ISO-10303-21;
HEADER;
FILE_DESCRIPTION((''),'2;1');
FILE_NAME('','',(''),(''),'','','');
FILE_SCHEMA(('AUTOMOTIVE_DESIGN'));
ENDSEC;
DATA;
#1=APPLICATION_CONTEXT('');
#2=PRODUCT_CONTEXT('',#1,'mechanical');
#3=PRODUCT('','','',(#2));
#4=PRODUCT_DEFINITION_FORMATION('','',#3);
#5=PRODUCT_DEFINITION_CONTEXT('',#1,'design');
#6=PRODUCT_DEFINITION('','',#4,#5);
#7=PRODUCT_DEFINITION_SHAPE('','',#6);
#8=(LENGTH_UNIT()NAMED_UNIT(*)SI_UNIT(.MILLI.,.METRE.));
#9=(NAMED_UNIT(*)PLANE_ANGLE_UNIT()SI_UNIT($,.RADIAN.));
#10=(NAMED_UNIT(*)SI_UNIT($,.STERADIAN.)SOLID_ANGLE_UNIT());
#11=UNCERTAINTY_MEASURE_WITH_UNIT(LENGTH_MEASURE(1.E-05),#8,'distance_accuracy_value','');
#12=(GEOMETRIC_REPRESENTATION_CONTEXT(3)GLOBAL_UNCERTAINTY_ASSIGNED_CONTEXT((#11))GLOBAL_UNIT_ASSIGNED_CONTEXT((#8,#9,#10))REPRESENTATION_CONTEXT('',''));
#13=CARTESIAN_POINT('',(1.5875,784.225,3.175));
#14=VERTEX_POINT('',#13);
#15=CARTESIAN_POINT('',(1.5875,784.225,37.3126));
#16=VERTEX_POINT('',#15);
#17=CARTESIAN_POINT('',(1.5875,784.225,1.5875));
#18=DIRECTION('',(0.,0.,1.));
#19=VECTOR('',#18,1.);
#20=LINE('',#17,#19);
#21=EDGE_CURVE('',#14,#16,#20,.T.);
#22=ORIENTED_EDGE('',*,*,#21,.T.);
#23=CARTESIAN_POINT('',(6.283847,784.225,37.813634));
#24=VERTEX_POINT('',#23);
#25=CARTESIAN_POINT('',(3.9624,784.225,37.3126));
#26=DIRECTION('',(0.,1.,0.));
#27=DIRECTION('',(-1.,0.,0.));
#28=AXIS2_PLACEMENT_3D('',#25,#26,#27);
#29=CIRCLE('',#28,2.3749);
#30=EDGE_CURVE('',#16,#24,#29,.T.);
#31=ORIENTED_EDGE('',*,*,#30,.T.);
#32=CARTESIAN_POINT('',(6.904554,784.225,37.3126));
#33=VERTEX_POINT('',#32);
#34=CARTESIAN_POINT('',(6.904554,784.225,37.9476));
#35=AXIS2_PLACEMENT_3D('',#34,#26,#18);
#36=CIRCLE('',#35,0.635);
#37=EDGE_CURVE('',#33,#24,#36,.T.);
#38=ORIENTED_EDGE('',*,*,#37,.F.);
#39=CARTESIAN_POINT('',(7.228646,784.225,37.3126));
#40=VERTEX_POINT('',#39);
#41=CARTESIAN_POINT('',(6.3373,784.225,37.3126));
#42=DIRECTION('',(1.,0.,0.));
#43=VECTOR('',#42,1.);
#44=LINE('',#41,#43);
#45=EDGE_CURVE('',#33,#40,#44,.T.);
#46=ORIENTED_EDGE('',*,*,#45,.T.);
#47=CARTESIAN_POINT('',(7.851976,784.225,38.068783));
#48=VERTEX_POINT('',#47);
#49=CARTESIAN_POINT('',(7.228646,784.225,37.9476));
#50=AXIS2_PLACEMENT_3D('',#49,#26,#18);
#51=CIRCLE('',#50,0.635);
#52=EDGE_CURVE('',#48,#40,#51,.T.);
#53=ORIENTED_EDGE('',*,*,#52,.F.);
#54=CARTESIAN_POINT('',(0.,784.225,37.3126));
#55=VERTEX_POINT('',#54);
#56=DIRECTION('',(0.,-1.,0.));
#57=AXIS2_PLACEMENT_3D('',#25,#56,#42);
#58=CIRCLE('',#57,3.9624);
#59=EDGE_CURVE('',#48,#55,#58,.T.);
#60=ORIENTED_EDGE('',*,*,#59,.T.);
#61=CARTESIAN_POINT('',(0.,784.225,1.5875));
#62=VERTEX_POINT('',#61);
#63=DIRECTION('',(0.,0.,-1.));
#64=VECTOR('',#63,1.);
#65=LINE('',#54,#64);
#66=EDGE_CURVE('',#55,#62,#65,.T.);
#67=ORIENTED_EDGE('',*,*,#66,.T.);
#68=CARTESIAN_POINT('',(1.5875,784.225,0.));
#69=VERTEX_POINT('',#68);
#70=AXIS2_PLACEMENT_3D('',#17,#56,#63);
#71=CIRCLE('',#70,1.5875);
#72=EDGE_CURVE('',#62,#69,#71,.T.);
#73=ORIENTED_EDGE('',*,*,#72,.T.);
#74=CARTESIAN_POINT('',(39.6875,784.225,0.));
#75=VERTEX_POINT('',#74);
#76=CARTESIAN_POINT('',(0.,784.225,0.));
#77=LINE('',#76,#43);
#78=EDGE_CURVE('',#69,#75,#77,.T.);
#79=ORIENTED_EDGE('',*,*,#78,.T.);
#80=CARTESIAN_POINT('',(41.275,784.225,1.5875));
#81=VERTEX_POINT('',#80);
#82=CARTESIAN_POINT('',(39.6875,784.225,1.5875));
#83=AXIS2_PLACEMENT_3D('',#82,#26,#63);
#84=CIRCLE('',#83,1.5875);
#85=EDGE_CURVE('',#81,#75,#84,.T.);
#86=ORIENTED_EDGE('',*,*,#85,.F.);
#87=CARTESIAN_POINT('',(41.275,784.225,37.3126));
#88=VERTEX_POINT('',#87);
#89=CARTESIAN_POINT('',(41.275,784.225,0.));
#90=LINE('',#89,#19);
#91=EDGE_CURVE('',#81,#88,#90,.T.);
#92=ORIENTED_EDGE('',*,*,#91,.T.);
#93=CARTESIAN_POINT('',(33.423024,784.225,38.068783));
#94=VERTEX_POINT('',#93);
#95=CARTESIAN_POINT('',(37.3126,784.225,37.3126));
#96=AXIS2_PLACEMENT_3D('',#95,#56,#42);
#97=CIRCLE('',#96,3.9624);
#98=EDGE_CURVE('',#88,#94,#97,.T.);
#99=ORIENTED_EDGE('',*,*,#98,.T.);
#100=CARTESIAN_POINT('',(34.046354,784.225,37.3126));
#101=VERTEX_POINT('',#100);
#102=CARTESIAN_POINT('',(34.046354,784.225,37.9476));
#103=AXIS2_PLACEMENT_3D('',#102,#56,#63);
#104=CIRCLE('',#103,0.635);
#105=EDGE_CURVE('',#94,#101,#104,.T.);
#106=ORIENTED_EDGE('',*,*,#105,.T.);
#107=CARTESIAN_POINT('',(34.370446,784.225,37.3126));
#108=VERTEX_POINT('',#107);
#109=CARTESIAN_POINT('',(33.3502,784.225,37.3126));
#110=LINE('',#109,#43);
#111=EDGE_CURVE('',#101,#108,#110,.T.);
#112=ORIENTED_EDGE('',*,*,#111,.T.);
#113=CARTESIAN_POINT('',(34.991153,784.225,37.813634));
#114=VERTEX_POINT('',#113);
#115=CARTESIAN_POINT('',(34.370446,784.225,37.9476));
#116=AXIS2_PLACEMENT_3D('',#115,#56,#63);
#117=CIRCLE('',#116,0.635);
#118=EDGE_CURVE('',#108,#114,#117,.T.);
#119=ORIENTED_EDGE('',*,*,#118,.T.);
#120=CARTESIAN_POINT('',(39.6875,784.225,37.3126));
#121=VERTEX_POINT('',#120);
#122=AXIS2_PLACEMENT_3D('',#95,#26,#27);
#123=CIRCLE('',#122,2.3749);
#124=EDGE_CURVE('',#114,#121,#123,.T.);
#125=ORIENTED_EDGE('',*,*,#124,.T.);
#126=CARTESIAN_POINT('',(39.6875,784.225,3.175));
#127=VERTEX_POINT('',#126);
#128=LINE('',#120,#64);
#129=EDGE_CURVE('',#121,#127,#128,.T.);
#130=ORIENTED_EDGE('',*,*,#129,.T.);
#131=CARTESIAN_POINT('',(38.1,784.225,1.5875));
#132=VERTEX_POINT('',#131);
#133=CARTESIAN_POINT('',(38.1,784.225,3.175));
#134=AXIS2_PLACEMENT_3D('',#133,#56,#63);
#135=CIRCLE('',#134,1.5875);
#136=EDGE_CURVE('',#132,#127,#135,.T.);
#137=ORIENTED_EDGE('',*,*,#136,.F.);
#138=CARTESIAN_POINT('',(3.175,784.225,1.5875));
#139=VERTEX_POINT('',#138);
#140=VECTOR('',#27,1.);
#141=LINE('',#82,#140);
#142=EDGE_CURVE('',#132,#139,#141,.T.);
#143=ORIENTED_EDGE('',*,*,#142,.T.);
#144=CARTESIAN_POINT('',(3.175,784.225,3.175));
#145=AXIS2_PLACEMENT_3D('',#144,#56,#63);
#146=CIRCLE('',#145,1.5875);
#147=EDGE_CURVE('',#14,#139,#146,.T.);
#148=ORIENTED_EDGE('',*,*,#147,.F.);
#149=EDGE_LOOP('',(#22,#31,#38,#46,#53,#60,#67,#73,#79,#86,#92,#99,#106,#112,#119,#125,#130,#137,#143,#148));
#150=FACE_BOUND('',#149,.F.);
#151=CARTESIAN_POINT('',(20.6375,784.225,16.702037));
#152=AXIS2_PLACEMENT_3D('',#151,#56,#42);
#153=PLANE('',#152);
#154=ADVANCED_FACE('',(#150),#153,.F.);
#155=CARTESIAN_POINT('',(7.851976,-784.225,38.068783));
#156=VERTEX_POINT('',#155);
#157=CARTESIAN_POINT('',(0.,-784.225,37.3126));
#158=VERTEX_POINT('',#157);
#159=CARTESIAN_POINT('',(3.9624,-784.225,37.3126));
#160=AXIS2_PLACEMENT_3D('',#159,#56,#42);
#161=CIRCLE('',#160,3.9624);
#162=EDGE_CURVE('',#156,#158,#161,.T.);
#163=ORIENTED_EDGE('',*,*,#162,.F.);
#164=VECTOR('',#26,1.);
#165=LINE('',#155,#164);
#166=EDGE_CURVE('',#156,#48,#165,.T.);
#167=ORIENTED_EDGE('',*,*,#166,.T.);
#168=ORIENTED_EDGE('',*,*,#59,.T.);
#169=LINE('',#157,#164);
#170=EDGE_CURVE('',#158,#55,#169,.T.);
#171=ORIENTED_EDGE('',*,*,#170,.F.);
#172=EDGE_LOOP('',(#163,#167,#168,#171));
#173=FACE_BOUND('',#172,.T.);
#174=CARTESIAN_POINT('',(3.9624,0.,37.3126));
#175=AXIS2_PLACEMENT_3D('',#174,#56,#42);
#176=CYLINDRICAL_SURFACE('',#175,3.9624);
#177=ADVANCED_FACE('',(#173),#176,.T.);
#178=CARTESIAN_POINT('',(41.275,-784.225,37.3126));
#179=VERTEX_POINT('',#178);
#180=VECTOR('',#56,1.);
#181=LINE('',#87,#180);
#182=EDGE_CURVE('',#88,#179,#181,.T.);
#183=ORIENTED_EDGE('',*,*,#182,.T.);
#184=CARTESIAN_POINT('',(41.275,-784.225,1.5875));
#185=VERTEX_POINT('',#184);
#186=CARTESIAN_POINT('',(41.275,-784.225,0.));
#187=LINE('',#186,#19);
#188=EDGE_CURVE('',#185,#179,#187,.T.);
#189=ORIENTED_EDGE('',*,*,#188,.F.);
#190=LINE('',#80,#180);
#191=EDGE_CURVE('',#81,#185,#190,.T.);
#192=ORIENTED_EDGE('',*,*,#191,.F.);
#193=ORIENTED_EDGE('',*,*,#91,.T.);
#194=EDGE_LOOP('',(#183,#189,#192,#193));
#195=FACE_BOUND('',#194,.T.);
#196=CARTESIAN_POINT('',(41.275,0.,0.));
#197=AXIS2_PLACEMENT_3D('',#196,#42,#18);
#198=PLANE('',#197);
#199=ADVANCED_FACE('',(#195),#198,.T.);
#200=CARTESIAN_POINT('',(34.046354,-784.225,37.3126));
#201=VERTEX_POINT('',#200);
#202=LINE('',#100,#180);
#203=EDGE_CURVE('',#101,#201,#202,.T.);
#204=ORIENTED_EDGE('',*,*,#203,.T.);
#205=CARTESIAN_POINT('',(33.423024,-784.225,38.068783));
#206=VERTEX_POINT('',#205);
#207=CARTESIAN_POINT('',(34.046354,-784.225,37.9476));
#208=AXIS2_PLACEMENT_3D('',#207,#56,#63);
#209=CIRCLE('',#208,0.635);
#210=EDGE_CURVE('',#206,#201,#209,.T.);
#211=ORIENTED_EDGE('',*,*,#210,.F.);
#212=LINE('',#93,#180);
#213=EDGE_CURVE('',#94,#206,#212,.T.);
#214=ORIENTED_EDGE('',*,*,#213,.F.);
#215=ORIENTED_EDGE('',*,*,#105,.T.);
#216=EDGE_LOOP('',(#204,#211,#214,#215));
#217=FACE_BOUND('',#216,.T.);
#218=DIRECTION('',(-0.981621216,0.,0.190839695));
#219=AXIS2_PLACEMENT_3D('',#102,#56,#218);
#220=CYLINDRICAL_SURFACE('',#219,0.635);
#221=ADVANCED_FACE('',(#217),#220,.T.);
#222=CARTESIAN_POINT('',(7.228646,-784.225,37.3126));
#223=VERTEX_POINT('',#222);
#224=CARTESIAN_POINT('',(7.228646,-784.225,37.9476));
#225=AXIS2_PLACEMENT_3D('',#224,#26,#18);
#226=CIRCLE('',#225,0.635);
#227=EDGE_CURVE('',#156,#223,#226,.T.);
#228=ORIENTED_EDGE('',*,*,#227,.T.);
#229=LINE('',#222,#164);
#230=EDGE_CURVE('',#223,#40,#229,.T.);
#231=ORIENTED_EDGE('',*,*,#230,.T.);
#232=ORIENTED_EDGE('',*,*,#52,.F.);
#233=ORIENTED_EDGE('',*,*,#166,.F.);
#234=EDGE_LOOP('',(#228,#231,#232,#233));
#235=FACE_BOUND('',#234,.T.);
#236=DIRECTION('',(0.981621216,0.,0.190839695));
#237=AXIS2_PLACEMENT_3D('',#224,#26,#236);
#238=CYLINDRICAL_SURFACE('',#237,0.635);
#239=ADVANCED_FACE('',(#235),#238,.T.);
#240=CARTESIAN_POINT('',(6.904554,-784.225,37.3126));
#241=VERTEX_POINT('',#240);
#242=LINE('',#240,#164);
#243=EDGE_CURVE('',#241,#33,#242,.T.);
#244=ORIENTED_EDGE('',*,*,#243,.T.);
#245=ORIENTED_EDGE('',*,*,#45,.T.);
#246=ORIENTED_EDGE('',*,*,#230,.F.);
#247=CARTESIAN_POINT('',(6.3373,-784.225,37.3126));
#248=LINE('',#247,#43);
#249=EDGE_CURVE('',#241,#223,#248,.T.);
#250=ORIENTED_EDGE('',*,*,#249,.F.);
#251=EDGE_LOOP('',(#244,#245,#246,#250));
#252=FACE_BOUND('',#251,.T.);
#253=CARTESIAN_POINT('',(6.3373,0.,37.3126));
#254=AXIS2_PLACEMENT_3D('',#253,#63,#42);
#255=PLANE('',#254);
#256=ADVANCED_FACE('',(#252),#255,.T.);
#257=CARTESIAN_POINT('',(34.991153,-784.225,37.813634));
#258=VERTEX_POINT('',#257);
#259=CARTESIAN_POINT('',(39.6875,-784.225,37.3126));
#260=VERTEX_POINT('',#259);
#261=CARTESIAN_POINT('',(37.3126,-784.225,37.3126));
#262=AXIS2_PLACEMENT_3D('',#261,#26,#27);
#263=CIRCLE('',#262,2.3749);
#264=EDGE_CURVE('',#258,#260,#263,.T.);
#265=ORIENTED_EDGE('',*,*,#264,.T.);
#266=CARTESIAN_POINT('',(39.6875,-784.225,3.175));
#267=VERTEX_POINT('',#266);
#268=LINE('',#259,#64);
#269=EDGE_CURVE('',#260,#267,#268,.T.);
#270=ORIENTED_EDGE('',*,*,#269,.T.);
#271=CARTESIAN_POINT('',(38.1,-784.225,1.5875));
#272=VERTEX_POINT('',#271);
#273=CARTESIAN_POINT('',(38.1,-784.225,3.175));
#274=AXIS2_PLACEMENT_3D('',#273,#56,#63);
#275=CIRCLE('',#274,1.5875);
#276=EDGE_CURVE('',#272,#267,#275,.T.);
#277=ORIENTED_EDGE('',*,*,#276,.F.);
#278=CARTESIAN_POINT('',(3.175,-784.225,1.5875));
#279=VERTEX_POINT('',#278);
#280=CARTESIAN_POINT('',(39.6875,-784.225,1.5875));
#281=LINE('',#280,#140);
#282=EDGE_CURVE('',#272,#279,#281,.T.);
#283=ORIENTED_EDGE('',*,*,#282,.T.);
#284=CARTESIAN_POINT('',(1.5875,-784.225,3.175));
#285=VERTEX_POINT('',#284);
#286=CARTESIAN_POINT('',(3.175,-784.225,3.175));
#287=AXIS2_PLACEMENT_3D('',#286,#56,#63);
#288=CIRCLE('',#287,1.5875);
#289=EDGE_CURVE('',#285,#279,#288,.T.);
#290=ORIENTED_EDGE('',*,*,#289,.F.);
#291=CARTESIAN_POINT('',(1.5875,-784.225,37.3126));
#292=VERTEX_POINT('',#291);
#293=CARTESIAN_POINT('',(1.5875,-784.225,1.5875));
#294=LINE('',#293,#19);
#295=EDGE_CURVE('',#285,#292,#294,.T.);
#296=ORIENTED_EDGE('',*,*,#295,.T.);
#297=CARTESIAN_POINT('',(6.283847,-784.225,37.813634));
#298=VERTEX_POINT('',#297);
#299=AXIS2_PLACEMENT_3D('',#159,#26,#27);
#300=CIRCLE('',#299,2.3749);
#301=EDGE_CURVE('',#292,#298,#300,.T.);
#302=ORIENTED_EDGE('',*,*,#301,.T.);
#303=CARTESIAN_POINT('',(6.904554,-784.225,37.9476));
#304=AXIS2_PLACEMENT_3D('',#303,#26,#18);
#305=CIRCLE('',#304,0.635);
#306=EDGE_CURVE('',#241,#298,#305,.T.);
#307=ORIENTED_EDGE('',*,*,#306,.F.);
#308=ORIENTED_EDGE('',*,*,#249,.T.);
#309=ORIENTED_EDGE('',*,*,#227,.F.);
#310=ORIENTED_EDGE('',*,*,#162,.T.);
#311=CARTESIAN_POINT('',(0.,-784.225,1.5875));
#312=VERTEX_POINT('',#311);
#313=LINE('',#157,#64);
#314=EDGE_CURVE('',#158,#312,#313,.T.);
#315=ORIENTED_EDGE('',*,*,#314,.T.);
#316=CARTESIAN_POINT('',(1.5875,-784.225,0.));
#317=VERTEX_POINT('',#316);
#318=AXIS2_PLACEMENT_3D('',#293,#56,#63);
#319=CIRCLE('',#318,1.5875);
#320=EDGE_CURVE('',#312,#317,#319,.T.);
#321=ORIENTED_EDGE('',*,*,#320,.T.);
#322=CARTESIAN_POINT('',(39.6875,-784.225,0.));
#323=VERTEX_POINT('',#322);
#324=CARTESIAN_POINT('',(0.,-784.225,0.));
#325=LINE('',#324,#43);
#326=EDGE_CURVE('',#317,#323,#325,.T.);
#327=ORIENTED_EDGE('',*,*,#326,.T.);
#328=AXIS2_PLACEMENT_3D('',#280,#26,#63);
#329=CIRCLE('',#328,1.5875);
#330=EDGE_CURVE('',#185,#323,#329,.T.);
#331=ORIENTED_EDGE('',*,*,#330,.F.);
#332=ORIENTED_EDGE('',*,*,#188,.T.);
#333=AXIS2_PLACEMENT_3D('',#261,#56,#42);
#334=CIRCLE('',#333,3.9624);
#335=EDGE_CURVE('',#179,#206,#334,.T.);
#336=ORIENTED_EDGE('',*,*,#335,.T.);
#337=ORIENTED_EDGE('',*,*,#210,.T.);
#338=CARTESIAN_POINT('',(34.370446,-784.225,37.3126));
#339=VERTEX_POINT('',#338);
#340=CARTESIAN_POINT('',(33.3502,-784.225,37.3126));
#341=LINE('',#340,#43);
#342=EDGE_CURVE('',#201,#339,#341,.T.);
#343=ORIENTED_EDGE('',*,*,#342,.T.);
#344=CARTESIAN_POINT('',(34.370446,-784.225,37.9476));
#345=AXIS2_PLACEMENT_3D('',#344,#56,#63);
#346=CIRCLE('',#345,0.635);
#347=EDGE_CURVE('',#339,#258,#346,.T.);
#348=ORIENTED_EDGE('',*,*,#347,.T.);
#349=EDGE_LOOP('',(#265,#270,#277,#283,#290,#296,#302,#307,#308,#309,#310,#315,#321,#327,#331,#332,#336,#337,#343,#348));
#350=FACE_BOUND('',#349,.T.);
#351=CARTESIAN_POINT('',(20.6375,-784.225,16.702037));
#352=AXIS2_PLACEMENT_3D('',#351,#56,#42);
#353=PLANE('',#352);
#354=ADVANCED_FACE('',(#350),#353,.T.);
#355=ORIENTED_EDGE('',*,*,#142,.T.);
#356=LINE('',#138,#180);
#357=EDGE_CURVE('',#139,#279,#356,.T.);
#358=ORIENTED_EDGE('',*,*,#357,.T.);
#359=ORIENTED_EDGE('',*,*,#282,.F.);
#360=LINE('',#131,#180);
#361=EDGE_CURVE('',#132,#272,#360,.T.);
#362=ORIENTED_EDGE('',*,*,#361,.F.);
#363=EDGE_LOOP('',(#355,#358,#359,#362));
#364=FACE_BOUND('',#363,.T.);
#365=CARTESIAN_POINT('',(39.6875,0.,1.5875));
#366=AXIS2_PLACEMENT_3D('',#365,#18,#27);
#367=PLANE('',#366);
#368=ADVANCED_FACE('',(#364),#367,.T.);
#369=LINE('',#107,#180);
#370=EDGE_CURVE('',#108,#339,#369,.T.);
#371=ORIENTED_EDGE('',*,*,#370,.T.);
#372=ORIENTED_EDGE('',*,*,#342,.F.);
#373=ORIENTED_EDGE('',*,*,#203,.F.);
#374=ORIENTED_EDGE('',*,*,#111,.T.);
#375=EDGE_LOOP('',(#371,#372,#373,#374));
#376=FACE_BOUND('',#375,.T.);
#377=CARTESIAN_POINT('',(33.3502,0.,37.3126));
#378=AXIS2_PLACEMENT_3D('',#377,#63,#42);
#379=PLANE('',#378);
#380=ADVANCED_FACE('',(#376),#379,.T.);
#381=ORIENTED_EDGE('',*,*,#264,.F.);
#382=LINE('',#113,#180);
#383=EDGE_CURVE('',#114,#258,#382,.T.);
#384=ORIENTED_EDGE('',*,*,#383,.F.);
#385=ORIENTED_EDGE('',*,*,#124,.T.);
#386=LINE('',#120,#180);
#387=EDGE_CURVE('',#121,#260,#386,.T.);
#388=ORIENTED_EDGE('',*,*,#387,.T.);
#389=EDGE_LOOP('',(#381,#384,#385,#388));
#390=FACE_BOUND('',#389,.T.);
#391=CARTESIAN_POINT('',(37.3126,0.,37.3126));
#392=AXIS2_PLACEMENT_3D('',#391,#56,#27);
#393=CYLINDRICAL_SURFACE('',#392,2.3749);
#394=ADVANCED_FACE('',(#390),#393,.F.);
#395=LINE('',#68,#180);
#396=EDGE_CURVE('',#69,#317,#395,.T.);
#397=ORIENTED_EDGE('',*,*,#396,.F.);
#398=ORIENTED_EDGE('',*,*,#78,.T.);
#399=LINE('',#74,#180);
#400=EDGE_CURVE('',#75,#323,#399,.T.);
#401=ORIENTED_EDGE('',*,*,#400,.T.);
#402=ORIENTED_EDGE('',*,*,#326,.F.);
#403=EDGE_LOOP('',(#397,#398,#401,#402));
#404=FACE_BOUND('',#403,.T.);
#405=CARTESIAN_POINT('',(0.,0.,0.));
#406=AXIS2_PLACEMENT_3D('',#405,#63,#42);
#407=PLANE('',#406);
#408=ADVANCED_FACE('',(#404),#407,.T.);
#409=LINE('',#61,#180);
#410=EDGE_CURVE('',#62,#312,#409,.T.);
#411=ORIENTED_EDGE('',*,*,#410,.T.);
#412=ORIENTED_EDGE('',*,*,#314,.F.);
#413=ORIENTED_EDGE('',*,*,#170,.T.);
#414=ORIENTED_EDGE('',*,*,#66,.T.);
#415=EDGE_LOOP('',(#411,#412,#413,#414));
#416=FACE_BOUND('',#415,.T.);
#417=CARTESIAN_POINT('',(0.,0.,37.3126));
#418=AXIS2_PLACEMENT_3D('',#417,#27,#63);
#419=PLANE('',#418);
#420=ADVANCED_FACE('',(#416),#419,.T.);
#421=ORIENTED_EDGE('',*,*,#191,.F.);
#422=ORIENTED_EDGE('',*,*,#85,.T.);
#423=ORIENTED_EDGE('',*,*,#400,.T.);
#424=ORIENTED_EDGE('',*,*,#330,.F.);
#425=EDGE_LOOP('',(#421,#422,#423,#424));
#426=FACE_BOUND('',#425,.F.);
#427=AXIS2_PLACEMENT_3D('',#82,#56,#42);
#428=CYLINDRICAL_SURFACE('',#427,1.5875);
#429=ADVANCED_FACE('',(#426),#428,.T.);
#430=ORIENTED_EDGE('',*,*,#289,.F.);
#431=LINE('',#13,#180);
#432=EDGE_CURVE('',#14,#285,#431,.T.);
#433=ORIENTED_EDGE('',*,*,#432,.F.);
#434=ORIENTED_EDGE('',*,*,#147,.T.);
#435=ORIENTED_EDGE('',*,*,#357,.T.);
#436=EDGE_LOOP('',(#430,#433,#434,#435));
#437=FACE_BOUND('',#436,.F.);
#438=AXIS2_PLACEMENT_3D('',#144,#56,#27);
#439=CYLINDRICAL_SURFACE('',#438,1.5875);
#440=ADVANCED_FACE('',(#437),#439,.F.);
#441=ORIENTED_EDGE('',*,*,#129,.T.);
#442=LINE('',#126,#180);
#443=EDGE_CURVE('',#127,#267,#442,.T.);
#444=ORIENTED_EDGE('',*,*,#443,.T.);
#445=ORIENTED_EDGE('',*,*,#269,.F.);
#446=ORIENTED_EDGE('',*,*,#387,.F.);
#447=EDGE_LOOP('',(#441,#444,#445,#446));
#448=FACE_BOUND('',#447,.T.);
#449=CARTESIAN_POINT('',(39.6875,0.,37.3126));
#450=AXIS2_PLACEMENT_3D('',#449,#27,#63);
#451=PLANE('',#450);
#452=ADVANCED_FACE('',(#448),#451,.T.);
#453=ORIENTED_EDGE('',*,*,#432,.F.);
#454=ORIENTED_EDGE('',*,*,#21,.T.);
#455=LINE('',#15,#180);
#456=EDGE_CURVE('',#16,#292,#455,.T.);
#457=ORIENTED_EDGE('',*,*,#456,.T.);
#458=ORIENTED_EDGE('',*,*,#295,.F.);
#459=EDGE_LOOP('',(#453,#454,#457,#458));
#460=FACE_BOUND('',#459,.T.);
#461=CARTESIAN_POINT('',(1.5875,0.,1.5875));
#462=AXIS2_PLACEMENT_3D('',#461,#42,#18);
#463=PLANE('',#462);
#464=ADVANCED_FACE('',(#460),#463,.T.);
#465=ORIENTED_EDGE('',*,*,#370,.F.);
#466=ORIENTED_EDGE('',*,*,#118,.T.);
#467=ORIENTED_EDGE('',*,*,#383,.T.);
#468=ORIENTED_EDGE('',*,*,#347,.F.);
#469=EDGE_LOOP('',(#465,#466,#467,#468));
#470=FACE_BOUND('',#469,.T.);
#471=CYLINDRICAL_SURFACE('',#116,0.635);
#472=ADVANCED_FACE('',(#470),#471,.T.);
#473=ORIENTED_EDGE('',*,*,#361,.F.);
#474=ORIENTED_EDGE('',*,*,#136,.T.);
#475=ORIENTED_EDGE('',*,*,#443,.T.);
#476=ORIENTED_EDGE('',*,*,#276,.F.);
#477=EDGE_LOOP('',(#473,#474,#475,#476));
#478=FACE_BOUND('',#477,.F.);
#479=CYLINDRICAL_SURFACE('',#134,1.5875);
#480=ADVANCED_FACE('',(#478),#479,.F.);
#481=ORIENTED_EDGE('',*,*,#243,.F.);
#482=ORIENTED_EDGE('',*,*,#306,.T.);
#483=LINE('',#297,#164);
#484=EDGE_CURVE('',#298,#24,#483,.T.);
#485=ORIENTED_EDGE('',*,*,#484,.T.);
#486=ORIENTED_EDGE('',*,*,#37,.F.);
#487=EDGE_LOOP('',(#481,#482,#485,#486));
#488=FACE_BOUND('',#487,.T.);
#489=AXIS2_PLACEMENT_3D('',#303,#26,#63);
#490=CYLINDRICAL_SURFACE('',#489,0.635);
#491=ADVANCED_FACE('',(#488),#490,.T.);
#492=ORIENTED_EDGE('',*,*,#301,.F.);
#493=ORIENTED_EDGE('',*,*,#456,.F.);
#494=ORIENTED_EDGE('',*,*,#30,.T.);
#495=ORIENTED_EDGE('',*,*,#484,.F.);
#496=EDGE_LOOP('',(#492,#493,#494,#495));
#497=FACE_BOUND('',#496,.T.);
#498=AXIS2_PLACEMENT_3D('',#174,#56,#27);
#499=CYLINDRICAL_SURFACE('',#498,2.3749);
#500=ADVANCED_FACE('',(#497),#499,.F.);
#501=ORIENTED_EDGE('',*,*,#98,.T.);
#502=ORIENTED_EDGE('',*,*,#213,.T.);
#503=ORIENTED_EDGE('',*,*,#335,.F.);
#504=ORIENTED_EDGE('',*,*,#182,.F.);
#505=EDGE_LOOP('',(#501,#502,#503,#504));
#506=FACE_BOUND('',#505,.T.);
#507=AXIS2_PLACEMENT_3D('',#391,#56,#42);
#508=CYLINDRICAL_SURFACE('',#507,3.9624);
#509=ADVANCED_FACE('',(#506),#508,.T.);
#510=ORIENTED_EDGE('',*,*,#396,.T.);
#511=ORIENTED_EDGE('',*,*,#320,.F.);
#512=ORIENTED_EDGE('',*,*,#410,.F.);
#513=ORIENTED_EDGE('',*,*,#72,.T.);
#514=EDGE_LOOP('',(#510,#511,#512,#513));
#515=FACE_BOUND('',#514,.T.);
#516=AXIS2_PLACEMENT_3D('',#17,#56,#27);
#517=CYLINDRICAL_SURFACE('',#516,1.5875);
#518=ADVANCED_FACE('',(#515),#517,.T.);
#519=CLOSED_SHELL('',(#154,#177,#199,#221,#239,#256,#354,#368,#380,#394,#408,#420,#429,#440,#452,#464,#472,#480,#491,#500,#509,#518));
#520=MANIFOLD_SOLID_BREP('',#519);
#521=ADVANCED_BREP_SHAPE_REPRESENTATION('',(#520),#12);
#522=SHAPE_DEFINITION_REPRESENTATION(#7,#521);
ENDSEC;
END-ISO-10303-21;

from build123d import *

# Parameters (mm, degrees)
F1_DEPTH = 784.225
F2_R     = 1.5875
F3_R     = 0.635


with BuildPart() as f1:
    # F0 (on Front) → F1 (new body, symmetric)
    with BuildSketch(Plane.XZ):
        with BuildLine():
            Line((0, 37.3126), (0, 0))
            Line((0, 0), (41.275, 0))
            Line((41.275, 0), (41.275, 37.3126))
            ThreePointArc((41.275, 37.3126), (37.3126, 41.275), (33.3502, 37.3126))
            Line((33.3502, 37.3126), (34.9377, 37.3126))
            ThreePointArc((34.9377, 37.3126), (37.3126, 39.6875), (39.6875, 37.3126))
            Line((39.6875, 37.3126), (39.6875, 1.5875))
            Line((39.6875, 1.5875), (1.5875, 1.5875))
            Line((1.5875, 1.5875), (1.5875, 37.3126))
            ThreePointArc((1.5875, 37.3126), (3.9624, 39.6875), (6.3373, 37.3126))
            Line((6.3373, 37.3126), (7.9248, 37.3126))
            ThreePointArc((7.9248, 37.3126), (3.9624, 41.275), (0, 37.3126))
        make_face()
    extrude(amount=F1_DEPTH, both=True)

    # F2
    f2_edges = [f1.edges().sort_by_distance(p)[0] for p in [
        (0, 0, 0),
        (41.275, 0, 0),
        (1.5875, 0, 1.5875),
        (39.6875, 0, 1.5875),
    ]]
    fillet(f2_edges, radius=F2_R)

    # F3
    f3_edges = [f1.edges().sort_by_distance(p)[0] for p in [
        (6.3373, 0, 37.3126),
        (7.9248, 0, 37.3126),
        (33.3502, 0, 37.3126),
        (34.9377, 0, 37.3126),
    ]]
    fillet(f3_edges, radius=F3_R)


solid = f1.part
